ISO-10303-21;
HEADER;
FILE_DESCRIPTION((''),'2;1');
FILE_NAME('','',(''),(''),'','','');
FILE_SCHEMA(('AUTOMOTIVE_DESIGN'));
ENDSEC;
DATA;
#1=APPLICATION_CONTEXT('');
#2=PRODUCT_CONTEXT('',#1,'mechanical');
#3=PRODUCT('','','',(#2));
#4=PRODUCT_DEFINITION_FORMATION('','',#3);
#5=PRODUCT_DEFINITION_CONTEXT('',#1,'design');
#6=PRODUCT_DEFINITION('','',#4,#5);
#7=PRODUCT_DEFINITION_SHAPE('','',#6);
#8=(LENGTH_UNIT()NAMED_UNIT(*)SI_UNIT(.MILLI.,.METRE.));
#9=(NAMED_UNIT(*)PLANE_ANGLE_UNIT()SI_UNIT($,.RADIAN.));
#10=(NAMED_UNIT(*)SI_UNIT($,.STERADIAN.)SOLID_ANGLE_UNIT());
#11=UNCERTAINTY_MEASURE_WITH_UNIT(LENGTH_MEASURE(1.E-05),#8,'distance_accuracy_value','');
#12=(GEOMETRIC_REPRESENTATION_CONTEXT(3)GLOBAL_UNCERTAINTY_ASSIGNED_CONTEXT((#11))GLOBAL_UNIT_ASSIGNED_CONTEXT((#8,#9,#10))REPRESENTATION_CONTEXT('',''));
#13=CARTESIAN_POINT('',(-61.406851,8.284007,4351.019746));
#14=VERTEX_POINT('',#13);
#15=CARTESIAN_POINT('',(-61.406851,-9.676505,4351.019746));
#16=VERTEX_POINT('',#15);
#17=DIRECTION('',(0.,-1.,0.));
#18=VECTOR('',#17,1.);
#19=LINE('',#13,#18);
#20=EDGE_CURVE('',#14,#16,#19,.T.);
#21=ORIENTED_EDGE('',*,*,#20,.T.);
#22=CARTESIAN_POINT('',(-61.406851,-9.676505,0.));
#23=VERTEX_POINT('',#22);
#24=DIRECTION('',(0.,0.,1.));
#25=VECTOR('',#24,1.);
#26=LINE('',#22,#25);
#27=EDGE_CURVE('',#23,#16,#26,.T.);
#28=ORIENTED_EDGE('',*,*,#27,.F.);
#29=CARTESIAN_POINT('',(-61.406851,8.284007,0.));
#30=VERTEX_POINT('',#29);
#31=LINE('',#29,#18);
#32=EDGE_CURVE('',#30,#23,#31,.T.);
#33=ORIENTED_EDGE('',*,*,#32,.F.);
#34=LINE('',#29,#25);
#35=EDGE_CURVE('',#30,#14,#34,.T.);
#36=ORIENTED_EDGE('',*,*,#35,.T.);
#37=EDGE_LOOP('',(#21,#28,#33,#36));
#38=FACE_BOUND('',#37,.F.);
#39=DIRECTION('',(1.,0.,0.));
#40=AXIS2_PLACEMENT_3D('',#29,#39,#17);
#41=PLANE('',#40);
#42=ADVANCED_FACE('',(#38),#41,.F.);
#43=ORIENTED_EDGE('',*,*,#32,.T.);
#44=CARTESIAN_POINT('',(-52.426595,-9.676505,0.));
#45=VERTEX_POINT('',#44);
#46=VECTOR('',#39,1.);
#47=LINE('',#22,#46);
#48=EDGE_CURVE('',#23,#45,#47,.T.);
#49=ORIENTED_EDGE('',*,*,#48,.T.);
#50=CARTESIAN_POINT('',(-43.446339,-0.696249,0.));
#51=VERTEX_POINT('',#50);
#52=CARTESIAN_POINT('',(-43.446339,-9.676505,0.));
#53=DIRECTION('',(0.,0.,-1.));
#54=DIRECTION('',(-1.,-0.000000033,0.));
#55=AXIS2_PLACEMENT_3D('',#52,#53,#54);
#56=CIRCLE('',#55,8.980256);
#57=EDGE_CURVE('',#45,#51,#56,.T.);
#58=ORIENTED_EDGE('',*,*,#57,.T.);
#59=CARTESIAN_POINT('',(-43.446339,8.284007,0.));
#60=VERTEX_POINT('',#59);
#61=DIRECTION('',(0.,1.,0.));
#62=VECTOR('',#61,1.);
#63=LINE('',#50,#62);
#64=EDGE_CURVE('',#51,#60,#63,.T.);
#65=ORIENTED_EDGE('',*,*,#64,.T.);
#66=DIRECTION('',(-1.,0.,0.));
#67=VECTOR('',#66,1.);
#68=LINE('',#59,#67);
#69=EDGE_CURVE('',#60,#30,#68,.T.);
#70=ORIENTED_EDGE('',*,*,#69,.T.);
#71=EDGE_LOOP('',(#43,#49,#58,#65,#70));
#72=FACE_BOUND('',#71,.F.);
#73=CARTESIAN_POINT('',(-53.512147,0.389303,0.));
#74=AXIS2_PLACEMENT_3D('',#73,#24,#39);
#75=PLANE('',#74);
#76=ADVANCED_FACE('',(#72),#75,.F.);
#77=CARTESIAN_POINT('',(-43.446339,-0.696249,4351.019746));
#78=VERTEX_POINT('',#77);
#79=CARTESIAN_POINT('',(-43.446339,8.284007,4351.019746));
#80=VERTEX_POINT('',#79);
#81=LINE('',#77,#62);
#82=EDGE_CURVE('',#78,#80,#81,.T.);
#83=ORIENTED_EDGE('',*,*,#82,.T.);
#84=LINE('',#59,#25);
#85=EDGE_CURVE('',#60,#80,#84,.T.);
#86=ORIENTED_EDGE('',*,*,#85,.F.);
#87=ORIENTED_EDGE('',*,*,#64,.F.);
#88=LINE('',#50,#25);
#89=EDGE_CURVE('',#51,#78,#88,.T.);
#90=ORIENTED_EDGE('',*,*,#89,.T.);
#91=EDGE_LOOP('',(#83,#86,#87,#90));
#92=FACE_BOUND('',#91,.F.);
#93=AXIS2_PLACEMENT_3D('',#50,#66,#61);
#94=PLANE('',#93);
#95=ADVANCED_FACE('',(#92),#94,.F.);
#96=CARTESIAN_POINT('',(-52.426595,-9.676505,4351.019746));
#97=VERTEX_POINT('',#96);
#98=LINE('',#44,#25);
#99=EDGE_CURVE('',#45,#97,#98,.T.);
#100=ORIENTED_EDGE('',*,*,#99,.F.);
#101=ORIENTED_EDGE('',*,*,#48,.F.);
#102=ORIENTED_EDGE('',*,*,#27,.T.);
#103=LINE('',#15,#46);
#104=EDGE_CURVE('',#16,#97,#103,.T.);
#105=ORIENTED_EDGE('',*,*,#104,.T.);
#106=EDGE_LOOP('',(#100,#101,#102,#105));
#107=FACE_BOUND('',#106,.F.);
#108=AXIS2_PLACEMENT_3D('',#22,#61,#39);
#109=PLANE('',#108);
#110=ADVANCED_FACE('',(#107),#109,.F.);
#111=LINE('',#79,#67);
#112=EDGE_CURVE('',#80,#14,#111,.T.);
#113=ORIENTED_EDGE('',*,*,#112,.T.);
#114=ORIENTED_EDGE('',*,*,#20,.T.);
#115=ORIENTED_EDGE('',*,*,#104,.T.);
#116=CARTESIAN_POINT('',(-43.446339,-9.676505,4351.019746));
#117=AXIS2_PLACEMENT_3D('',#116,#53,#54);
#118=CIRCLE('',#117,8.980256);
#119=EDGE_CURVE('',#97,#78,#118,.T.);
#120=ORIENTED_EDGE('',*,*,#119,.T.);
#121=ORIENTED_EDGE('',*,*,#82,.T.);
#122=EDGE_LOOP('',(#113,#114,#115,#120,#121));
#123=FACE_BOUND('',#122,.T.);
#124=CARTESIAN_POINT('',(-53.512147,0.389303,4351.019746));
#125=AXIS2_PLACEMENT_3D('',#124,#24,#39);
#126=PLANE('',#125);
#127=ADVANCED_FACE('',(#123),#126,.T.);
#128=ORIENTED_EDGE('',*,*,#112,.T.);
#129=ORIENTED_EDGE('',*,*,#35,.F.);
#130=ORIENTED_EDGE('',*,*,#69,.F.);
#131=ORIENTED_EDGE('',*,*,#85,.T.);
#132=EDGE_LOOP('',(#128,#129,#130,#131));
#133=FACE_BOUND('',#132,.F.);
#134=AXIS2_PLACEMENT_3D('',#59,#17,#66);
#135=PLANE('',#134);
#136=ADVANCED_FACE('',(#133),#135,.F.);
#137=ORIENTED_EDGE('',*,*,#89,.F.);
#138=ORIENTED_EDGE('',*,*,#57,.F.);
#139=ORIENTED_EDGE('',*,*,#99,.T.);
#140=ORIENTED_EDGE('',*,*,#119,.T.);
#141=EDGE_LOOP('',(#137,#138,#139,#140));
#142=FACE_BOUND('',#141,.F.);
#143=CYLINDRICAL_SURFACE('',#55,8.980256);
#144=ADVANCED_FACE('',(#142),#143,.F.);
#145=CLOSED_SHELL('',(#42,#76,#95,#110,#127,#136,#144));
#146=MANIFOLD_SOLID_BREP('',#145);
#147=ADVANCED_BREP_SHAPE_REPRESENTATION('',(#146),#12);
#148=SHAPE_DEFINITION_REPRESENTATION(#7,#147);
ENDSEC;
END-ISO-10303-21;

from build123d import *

# Parameters (mm, degrees)
F1_DEPTH = 4351.019746


with BuildPart() as f1:
    # F0 (on Top) → F1 (new body)
    with BuildSketch(Plane.XY):
        with BuildLine():
            Line((-61.406851, -9.676505), (-52.426595, -9.676505))
            ThreePointArc((-52.426595, -9.676505), (-49.796339, -3.326505), (-43.446339, -0.696249))
            Line((-43.446339, -0.696249), (-43.446339, 8.284007))
            Line((-43.446339, 8.284007), (-61.406851, 8.284007))
            Line((-61.406851, 8.284007), (-61.406851, -9.676505))
        make_face()
    extrude(amount=F1_DEPTH)


solid = f1.part
